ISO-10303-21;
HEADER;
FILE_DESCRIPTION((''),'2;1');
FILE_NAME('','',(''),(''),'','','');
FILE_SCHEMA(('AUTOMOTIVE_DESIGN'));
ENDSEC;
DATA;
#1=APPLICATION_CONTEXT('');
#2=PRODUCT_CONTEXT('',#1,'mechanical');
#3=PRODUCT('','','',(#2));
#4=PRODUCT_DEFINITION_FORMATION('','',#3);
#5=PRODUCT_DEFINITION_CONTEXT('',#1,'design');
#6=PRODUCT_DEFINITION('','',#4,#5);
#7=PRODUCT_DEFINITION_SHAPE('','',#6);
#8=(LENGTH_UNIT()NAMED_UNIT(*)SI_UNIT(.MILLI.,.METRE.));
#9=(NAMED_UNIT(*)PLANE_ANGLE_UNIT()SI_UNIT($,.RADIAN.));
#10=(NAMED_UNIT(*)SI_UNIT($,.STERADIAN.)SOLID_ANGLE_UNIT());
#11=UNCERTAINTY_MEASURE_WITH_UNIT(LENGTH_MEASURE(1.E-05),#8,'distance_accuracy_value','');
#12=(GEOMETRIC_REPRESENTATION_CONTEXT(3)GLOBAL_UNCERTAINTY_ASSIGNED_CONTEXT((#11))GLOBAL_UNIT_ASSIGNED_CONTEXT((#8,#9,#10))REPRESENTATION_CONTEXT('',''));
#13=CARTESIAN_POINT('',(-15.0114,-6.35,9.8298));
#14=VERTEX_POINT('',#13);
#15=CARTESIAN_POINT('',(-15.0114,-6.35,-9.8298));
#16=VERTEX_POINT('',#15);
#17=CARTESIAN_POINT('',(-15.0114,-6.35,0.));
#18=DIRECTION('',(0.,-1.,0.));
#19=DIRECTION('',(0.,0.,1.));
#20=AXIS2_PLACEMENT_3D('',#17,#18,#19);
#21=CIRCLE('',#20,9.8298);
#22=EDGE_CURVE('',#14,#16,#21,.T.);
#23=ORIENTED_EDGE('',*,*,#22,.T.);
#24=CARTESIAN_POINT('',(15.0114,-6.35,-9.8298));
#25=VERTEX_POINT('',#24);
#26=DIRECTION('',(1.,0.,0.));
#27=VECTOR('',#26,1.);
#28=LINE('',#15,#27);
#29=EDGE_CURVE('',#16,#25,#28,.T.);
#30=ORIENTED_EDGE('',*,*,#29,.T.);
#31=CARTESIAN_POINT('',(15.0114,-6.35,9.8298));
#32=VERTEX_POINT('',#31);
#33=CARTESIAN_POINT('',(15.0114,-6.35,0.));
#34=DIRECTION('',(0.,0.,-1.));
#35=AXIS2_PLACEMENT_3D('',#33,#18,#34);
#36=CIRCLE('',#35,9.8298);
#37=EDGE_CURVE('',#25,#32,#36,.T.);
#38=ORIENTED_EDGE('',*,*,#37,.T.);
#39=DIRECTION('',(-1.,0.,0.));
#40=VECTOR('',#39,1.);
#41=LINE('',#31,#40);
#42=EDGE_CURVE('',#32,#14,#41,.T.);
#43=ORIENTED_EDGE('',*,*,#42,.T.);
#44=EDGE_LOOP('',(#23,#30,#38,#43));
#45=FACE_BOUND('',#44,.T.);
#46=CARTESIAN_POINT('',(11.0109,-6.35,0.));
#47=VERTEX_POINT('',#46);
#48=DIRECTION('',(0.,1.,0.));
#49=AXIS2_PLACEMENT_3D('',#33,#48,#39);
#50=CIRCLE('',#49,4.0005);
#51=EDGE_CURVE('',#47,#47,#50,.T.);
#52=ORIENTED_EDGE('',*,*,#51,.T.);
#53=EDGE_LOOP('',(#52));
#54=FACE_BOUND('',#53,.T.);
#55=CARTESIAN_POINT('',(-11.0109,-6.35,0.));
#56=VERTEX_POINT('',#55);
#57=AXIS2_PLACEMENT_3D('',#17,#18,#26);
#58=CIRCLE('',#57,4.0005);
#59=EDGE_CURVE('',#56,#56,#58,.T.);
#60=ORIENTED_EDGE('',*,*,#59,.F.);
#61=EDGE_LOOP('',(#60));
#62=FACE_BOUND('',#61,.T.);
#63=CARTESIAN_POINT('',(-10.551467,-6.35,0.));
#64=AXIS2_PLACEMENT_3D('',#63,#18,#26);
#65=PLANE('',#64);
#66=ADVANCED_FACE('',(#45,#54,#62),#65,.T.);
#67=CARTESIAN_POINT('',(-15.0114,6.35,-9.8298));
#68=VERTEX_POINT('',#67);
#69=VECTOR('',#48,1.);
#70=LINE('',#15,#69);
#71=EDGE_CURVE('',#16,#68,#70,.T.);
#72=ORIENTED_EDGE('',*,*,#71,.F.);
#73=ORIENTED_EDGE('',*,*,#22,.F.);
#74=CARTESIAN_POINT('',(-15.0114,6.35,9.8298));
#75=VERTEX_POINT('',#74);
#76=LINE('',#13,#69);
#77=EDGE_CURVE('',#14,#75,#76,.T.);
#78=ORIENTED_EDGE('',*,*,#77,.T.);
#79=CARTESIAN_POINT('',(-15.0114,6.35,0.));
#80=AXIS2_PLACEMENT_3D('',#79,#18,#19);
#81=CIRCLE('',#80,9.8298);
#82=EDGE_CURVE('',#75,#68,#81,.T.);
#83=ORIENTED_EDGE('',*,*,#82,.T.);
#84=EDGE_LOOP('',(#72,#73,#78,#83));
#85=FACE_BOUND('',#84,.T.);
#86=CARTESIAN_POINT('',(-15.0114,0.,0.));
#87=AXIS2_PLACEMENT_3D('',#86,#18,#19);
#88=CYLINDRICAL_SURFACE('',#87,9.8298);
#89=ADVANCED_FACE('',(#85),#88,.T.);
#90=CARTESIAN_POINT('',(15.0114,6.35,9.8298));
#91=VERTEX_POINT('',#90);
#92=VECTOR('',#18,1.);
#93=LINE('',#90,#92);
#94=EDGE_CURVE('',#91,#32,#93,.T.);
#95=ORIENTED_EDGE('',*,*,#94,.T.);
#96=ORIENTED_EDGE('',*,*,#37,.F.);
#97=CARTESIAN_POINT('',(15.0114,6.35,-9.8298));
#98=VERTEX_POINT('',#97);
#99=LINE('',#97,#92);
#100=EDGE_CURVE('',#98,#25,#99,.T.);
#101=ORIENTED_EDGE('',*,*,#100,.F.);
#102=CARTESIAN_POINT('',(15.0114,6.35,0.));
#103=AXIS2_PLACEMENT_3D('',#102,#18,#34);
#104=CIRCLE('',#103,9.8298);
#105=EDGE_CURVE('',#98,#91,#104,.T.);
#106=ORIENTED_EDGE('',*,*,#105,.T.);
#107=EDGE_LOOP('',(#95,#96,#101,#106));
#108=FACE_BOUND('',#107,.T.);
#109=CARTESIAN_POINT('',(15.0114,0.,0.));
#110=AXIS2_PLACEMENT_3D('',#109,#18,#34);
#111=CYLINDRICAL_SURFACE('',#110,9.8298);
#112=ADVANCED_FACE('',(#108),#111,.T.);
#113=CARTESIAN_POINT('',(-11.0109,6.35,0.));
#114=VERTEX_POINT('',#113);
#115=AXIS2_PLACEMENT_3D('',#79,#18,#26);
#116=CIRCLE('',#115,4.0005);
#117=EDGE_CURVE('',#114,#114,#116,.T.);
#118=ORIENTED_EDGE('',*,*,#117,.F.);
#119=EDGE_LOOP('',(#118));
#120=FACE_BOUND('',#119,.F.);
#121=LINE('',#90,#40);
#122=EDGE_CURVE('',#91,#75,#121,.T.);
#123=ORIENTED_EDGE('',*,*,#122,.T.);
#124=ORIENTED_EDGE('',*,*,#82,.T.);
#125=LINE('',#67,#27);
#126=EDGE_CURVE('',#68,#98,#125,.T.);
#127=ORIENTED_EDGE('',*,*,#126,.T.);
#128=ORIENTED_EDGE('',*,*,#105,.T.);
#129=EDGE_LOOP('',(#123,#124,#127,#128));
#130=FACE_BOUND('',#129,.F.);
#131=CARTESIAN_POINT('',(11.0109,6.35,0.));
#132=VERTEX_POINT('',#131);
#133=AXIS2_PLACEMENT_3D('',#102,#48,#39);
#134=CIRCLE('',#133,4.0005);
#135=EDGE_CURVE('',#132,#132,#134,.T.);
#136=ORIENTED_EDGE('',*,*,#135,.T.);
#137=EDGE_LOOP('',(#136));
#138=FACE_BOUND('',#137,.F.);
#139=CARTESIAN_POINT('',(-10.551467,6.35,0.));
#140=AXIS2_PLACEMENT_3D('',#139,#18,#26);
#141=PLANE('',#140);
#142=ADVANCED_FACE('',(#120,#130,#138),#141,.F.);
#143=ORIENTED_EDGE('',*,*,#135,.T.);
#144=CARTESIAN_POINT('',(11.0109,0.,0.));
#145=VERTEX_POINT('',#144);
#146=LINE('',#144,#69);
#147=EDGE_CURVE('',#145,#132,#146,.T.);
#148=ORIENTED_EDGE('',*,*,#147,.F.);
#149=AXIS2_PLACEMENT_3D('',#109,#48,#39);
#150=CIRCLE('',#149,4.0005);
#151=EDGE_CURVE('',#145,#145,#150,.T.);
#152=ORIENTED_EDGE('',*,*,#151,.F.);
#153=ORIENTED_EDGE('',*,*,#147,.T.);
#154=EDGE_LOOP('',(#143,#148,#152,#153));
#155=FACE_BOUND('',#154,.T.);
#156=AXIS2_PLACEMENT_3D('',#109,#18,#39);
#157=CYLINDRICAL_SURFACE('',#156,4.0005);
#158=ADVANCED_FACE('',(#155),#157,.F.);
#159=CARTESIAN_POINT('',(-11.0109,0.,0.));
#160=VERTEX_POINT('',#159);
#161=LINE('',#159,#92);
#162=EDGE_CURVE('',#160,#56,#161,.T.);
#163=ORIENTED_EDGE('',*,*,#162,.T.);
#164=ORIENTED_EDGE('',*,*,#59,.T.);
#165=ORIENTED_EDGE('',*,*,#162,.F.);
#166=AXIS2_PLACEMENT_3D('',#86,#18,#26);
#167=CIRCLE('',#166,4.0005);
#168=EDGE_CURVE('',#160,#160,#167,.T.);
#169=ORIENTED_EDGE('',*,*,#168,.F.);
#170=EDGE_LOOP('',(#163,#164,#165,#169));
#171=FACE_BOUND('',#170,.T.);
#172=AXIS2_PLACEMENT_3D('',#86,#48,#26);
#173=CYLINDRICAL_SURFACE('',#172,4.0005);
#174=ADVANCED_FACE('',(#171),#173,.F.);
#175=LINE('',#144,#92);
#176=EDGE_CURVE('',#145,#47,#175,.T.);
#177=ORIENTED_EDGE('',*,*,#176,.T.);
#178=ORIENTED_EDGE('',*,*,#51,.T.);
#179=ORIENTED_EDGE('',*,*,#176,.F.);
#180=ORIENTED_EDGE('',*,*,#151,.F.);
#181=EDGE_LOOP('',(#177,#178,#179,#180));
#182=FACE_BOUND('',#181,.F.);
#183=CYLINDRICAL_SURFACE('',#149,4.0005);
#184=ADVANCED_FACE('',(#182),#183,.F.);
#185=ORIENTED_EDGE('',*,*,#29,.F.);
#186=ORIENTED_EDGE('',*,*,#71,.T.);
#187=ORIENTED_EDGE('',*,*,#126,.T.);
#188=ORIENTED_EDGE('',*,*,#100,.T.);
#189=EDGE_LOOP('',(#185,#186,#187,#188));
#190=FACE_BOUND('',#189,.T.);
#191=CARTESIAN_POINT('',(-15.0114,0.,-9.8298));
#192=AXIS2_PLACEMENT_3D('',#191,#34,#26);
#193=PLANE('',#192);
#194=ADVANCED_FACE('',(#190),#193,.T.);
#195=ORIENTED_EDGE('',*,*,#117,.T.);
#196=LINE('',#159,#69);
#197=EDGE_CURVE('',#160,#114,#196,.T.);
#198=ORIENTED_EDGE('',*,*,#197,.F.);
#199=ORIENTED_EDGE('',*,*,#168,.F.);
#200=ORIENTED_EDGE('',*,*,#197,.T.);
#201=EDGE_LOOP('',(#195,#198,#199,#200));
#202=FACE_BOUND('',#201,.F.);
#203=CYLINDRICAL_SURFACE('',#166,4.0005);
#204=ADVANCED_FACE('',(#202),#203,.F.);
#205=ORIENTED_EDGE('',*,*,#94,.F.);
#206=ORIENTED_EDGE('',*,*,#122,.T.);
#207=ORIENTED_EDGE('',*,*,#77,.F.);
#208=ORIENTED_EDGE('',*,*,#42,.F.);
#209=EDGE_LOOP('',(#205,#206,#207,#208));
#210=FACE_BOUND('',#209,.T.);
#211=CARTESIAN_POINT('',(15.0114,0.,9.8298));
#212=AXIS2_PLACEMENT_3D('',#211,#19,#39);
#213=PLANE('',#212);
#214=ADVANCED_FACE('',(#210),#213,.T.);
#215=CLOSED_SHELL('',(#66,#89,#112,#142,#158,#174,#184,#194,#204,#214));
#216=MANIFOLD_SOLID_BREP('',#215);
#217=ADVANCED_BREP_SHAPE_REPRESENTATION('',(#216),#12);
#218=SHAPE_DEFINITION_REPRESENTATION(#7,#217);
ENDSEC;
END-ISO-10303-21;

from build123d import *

# Parameters (mm, degrees)
F0_R     = 4.0005
F1_DEPTH = 6.35


with BuildPart() as f1:
    # F0 (on Front) → F1 (new body, symmetric)
    with BuildSketch(Plane.XZ):
        with BuildLine():
            Line((0, -9.8298), (0, 0))
            Line((0, 0), (0, 9.8298))
            Line((0, 9.8298), (-15.0114, 9.8298))
            ThreePointArc((-15.0114, 9.8298), (-24.8412, 0), (-15.0114, -9.8298))
            Line((-15.0114, -9.8298), (0, -9.8298))
        make_face()
        with Locations((-15.0114, 0)):
            Circle(F0_R, mode=Mode.SUBTRACT)
        with BuildLine():
            Line((0, 9.8298), (0, 0))
            Line((0, 0), (0, -9.8298))
            Line((0, -9.8298), (15.0114, -9.8298))
            ThreePointArc((15.0114, -9.8298), (24.8412, 0), (15.0114, 9.8298))
            Line((15.0114, 9.8298), (0, 9.8298))
        make_face()
        with BuildLine():
            ThreePointArc((19.0119, 0), (15.0114, -4.0005), (11.0109, 0))
            ThreePointArc((11.0109, 0), (15.0114, 4.0005), (19.0119, 0))
        make_face(mode=Mode.SUBTRACT)
    extrude(amount=F1_DEPTH, both=True)


solid = f1.part
